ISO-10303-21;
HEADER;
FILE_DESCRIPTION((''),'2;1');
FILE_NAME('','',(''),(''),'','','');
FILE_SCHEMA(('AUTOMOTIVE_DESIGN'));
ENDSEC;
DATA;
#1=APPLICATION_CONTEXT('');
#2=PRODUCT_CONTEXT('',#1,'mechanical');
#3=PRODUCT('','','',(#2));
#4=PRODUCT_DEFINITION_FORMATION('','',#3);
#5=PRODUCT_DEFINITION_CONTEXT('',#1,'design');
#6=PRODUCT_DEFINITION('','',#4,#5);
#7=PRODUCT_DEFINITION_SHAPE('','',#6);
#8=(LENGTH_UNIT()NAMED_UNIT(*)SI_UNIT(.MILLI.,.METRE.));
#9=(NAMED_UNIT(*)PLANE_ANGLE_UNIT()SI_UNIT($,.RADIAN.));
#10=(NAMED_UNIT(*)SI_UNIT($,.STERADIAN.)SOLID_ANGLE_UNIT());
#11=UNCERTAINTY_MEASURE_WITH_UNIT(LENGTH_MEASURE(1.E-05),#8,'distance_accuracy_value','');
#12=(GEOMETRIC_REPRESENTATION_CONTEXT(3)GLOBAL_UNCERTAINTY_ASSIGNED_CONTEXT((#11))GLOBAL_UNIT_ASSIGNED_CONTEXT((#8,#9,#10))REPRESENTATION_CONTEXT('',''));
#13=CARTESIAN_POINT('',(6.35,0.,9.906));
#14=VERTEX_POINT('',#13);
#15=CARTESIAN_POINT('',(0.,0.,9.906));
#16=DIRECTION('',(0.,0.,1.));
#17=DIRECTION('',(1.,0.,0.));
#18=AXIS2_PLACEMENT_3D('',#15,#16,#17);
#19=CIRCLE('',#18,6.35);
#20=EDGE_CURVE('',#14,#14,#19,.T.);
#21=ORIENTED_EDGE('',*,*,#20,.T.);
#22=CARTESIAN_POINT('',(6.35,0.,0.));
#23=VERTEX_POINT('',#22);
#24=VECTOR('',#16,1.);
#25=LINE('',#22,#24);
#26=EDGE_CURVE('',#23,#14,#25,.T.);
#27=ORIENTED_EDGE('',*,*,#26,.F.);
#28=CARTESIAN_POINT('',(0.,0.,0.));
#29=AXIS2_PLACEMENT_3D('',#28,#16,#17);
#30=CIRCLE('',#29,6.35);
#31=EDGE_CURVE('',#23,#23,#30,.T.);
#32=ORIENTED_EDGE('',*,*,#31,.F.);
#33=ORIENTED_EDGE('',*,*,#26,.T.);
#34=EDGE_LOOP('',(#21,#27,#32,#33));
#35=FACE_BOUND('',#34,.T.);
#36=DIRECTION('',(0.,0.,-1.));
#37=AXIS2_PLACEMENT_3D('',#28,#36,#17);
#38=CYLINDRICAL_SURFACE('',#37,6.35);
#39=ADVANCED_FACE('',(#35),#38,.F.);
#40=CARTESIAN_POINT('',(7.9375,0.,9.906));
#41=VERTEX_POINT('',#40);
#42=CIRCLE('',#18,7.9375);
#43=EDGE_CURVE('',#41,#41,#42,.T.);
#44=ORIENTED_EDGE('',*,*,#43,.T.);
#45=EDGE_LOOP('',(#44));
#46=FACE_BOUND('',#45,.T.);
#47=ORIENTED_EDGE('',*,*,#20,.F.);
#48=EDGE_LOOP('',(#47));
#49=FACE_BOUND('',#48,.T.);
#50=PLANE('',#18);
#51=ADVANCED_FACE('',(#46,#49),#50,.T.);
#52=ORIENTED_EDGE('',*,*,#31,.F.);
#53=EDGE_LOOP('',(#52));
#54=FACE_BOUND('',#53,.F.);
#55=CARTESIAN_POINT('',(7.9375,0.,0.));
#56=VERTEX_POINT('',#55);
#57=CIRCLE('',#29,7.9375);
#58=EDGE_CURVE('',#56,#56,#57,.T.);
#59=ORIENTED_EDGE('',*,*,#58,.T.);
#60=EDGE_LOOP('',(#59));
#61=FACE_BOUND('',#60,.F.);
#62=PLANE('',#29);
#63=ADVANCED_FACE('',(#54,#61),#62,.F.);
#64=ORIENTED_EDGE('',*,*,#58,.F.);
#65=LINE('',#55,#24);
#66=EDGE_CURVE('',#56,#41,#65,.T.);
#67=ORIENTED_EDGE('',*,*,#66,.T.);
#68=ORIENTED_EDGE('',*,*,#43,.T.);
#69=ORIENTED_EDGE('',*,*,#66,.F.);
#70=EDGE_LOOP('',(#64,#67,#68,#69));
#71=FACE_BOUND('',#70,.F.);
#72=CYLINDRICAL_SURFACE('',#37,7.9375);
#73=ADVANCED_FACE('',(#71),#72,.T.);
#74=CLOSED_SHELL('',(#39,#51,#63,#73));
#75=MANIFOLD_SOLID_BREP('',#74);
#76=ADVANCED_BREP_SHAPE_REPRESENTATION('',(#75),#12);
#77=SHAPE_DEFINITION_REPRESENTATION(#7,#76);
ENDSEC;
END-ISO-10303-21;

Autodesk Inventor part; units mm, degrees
ref_plane "YZ Plane" through (0, 0, 0) normal (1, 0, 0) x (0, 1, 0)
ref_plane "XZ Plane" through (0, 0, 0) normal (0, 1, 0) x (-1, 0, 0)
ref_plane "XY Plane" through (0, 0, 0) normal (0, 0, 1) x (1, 0, 0)
sketch "Sketch1" plane through (0, 0, 0) normal (0, 0, 1) x (1, 0, 0)
  circle A0 centre (0, 0) radius 7.9375
  circle A1 centre (0, 0) radius 6.35
  dimension "d0" = 15.875
  dimension "d1" = 12.7
extrude "Extrusion1" add sketch "Sketch1" along normal blind 9.906
properties part number "Shaft Spacer Part5" material "PVC-Piping"
